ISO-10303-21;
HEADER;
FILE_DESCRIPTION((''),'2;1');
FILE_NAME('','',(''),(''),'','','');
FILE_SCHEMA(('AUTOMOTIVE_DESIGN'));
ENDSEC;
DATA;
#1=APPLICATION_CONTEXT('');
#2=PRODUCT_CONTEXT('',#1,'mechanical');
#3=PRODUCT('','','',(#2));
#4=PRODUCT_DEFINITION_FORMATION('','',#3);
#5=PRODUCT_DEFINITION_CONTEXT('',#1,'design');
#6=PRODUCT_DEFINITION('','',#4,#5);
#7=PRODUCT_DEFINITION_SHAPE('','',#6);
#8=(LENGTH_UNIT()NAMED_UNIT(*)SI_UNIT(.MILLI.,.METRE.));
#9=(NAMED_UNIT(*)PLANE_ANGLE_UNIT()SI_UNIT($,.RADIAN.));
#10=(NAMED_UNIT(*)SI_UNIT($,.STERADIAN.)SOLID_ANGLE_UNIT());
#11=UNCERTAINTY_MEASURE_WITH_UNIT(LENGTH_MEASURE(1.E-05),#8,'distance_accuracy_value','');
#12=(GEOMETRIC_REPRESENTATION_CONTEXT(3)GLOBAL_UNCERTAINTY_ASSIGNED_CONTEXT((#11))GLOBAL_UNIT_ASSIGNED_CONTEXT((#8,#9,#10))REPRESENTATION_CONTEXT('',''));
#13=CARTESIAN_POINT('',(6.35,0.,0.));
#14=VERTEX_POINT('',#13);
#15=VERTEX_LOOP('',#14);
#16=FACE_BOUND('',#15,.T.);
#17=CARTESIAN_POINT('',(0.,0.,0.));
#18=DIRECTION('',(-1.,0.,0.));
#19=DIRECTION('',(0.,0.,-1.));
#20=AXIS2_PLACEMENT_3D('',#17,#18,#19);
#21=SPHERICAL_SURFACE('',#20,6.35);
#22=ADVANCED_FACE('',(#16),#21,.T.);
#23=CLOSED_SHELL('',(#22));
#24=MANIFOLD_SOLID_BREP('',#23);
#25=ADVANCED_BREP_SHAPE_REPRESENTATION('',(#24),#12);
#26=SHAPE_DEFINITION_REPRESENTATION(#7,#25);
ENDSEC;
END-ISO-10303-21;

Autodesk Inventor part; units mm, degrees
ref_plane "YZ Plane" through (0, 0, 0) normal (1, 0, 0) x (0, 1, 0)
ref_plane "XZ Plane" through (0, 0, 0) normal (0, 1, 0) x (-1, 0, 0)
ref_plane "XY Plane" through (0, 0, 0) normal (0, 0, 1) x (1, 0, 0)
sketch "Schizzo1" plane through (0, 0, 0) normal (0, 1, 0) x (-1, 0, 0)
  arc A0 (-6.35, 0) -> (6.35, 0) centre (0, 0) ccw
  line L0 (-6.35, 0) -> (6.35, 0)
  line L1 (0, 0) -> (10, 0) construction
  line L2 (0, 0) -> (5, 0) construction
  line L3 (3.9144, -5) -> (3.9144, 0)
  line L4 (-3.9144, -5) -> (-3.9144, 0)
  dimension "d6" = 12.7
revolve "Rivoluzione1" add sketch "Schizzo1" angle 360 about axis through (6.35, 0, 0) along (-1, 0, 0)
properties part number "25_Sfere" material "Geomag"
